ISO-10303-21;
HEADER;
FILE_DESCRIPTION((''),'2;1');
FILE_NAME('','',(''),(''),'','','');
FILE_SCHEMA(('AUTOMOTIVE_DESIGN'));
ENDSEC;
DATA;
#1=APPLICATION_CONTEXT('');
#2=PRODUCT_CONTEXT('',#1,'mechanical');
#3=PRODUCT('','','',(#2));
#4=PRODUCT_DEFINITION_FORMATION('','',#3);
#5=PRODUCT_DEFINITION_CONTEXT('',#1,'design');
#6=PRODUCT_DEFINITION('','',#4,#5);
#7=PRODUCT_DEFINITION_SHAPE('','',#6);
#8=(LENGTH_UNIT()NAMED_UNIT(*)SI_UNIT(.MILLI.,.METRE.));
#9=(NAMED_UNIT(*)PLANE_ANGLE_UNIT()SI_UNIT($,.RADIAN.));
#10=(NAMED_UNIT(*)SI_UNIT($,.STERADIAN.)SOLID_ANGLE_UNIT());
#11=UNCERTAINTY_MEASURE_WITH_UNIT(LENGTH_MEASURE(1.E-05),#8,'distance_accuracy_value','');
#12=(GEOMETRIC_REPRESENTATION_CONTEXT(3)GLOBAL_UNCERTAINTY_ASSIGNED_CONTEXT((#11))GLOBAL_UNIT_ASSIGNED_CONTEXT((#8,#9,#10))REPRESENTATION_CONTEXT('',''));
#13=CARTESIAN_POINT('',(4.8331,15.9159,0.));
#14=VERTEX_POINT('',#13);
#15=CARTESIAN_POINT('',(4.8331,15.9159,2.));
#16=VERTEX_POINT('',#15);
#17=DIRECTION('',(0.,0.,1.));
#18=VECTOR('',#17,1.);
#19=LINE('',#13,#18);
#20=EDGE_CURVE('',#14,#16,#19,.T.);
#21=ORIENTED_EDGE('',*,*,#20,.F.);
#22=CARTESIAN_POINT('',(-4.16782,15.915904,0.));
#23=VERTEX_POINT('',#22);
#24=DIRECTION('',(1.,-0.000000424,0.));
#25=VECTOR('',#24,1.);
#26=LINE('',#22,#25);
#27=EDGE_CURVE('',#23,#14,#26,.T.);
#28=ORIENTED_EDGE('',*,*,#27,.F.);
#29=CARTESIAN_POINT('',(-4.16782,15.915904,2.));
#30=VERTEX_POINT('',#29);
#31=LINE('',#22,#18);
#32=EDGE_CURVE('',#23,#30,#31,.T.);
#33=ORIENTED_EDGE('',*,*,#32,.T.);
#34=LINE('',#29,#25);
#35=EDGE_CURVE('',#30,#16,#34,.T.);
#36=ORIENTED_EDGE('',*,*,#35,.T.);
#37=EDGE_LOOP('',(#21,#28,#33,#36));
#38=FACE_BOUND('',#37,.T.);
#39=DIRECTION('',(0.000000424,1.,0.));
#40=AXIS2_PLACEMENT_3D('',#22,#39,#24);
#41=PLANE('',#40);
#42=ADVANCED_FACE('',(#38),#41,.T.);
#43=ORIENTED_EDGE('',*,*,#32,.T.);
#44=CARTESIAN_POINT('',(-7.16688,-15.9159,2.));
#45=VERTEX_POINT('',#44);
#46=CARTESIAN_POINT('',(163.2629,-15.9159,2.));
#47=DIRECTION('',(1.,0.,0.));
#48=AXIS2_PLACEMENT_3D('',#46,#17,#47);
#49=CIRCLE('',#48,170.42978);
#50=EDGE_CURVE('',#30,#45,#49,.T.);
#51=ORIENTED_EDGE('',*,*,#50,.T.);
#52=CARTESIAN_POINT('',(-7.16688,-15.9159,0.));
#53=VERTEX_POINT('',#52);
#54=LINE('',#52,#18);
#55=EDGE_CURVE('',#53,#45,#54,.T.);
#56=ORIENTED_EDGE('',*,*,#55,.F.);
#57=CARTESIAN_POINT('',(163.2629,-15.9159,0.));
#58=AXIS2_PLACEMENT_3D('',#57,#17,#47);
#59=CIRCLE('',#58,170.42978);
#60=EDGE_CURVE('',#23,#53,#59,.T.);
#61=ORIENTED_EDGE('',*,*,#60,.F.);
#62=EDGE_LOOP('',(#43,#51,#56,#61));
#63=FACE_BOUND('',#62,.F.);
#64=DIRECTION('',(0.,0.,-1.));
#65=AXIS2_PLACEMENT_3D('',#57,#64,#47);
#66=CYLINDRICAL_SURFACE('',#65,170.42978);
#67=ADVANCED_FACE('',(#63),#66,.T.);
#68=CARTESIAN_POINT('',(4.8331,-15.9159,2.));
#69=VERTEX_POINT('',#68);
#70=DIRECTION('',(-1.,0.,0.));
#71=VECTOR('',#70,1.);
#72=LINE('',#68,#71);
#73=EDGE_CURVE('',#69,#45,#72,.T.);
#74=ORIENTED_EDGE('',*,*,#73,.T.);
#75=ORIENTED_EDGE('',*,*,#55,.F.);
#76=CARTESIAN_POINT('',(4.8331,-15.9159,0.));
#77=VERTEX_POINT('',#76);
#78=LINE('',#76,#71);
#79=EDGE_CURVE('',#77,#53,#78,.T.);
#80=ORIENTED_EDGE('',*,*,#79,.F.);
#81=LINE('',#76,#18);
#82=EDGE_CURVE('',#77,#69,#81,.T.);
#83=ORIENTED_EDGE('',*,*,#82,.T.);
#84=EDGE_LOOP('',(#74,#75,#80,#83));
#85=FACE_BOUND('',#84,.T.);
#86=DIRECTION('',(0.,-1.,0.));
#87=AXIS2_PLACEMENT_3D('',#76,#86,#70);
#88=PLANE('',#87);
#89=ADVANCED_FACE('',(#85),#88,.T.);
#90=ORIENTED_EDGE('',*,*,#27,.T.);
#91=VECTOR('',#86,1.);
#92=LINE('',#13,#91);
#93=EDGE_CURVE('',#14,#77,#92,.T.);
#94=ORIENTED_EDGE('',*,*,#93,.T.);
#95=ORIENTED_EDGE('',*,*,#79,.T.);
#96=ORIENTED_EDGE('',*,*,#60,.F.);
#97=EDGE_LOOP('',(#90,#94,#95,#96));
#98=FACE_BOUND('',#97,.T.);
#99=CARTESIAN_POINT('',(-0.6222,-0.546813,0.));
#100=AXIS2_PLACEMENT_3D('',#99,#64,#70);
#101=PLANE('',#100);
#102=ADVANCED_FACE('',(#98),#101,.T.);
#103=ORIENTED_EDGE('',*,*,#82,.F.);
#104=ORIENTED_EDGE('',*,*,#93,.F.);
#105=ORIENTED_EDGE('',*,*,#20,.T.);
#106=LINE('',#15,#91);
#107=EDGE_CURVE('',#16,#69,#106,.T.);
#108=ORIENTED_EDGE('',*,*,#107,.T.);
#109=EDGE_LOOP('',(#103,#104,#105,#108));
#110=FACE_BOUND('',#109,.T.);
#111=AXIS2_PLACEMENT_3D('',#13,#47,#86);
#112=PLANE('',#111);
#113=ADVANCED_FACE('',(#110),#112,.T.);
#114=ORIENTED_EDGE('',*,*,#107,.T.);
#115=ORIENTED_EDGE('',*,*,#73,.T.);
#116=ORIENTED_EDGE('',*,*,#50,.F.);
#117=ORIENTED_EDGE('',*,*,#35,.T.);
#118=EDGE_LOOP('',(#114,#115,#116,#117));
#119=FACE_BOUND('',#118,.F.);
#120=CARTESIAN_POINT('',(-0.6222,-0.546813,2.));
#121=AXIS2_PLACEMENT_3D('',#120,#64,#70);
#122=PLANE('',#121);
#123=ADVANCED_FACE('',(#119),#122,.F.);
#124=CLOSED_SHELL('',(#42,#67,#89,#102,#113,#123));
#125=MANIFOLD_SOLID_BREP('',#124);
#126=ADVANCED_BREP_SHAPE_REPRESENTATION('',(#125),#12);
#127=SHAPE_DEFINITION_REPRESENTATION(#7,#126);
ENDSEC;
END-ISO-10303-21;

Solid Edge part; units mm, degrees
sketch "Sketch1" plane through (0, 0, 0) normal (0, 0, 1) x (1, 0, 0)
  line L0 (-4.1678, 15.9159) -> (4.8331, 15.9159)
  line L1 (4.8331, 15.9159) -> (4.8331, -15.9159)
  line L2 (4.8331, -15.9159) -> (-7.1669, -15.9159)
  arc A0 (-4.1678, 15.9159) -> (-7.1669, -15.9159) centre (163.2629, -15.9159) ccw
  dimension "D1" = 3
  dimension "D2" = 3
  dimension "D3" = 3
  dimension "D4" = 3
  dimension "D5" = 3
extrude "Protrusion1" add sketch "Sketch1" along normal blind 2
